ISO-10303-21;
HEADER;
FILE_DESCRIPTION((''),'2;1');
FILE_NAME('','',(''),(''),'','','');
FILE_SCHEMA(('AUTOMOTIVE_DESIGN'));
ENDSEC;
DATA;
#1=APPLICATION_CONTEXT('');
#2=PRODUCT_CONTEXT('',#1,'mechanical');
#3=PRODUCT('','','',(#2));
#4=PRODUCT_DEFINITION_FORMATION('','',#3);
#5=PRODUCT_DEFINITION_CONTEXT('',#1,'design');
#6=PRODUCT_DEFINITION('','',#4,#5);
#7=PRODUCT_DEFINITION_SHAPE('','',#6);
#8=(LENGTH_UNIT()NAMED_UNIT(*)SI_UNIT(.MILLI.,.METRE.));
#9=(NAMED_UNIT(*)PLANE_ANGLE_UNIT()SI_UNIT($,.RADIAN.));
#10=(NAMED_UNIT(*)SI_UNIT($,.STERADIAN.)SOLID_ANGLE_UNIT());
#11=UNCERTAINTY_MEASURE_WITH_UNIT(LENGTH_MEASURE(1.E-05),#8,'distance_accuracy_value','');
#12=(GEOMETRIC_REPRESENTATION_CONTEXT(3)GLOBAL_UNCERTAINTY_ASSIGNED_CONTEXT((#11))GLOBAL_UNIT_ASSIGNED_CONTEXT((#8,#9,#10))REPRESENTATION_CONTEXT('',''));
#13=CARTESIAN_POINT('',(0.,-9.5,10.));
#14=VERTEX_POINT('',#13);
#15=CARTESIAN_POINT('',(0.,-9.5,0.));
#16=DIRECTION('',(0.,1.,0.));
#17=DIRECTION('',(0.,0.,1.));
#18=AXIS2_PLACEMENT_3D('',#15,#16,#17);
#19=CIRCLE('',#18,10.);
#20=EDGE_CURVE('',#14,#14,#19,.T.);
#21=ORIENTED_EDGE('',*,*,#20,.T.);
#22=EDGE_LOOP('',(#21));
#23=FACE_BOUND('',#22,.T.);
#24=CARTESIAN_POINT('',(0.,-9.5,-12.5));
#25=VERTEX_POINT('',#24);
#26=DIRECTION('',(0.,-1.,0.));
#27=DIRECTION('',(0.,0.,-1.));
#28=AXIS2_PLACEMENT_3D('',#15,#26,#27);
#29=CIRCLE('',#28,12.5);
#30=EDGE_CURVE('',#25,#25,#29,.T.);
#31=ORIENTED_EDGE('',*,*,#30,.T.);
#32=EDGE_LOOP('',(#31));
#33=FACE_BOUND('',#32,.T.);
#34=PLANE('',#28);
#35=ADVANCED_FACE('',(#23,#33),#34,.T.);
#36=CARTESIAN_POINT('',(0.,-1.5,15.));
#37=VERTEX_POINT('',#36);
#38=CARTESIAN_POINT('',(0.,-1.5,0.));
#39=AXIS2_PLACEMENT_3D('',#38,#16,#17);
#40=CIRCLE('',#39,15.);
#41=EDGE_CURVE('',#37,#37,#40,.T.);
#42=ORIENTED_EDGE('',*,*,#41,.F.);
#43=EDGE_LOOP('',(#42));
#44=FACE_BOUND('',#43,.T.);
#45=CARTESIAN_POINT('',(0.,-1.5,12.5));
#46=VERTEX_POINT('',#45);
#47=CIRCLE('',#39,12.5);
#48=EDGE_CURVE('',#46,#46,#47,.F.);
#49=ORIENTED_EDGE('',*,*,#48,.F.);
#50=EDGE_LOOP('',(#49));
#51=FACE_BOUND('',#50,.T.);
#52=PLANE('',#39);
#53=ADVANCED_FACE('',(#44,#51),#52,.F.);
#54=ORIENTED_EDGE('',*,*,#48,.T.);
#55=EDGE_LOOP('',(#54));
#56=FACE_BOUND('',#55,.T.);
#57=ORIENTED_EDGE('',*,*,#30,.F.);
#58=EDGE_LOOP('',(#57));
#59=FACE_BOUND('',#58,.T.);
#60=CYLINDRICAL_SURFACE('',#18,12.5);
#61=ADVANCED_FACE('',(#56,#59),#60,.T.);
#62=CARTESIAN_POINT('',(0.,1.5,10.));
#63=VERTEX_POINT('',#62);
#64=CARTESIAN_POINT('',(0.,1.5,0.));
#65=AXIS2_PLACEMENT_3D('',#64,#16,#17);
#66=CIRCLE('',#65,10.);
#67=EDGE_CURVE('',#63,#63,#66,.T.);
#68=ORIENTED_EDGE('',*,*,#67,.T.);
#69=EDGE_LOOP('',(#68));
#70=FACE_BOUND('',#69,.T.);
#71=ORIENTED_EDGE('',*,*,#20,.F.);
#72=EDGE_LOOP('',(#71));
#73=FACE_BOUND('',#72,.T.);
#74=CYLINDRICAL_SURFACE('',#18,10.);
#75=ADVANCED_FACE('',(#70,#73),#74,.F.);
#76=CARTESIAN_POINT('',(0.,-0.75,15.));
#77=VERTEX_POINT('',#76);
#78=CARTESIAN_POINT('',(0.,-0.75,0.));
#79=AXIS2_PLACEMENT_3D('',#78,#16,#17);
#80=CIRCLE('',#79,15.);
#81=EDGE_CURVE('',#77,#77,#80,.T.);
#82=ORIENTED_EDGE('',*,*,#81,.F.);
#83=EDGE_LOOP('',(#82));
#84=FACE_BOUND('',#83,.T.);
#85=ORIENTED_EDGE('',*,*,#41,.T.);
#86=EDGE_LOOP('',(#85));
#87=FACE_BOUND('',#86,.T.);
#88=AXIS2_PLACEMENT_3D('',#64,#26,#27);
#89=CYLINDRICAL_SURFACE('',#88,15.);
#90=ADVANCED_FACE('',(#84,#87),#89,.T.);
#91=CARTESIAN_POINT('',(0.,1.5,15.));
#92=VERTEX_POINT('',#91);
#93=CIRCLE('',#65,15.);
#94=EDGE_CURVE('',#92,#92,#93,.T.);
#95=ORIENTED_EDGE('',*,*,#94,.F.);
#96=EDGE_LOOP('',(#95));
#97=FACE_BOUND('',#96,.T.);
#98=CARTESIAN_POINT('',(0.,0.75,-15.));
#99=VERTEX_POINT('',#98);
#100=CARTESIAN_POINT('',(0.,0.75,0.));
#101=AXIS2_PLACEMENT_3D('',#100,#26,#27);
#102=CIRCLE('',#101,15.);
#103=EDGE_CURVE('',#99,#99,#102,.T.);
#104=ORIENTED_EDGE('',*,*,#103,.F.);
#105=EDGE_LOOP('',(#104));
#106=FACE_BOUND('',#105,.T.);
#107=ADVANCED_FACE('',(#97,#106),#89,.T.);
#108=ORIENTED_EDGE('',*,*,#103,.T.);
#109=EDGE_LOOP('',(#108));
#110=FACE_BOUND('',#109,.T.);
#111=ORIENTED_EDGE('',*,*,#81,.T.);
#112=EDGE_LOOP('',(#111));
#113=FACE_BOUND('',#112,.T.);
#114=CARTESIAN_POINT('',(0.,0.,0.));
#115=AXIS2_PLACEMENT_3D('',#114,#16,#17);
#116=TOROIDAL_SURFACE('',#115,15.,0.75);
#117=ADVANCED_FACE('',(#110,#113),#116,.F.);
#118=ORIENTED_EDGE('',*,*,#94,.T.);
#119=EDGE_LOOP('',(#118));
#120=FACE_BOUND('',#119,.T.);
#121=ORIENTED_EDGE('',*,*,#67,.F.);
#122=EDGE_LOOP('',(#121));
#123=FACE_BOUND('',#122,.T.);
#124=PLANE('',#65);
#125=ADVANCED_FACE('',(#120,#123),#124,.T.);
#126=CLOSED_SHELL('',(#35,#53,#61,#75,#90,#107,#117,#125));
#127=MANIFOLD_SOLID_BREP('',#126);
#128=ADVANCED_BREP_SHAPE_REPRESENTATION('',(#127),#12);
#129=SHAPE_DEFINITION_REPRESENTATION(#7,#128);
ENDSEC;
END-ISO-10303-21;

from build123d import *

# Parameters (mm, degrees)
CROQUIS1_R              = 15
SALIENTE_EXTRUIR1_DEPTH = 1.5
CROQUIS2_R              = 0.75
CROQUIS4_R              = 12.5
SALIENTE_EXTRUIR2_DEPTH = 8
CROQUIS3_R              = 10
CORTAR_EXTRUIR1_DEPTH   = 24.895606291


with BuildPart() as part:
    # Croquis1 → Saliente-Extruir1 (new, symmetric)
    with BuildSketch(Plane(origin=(0, 0, 0), x_dir=(1, 0, 0), z_dir=(0, 1, 0))):
        with Locations(Location((0, 0, 0), (0, 0, 270))):
            Circle(CROQUIS1_R)
    extrude(amount=SALIENTE_EXTRUIR1_DEPTH, both=True)

    # Croquis2 → Cortar-Revolución1 (revolve, cut)
    with BuildSketch(Plane(origin=(0, 0, 0), x_dir=(0, 0, -1), z_dir=(1, 0, 0)), mode=Mode.PRIVATE) as cortar_revoluci_n1_sk:
        with Locations((15, 0)):
            Circle(CROQUIS2_R)
    revolve(cortar_revoluci_n1_sk.sketch.rotate(Axis((0, 1.5, 0), (0, -1, 0)), 180), axis=Axis((0, 1.5, 0), (0, -1, 0)), mode=Mode.SUBTRACT)

    # Croquis4 → Saliente-Extruir2 (add)
    with BuildSketch(Plane.XZ.offset(1.5)):
        with Locations(Location((0, 0, 0), (0, 0, 90))):
            Circle(CROQUIS4_R)
    extrude(amount=SALIENTE_EXTRUIR2_DEPTH)

    # Croquis3 → Cortar-Extruir1 (cut, through all)
    with BuildSketch(Plane(origin=(0, 1.5, 0), x_dir=(1, 0, 0), z_dir=(0, 1, 0))):
        with Locations(Location((0, 0, 0), (0, 0, 270))):
            Circle(CROQUIS3_R)
    extrude(amount=-CORTAR_EXTRUIR1_DEPTH, mode=Mode.SUBTRACT)


solid = part.part
